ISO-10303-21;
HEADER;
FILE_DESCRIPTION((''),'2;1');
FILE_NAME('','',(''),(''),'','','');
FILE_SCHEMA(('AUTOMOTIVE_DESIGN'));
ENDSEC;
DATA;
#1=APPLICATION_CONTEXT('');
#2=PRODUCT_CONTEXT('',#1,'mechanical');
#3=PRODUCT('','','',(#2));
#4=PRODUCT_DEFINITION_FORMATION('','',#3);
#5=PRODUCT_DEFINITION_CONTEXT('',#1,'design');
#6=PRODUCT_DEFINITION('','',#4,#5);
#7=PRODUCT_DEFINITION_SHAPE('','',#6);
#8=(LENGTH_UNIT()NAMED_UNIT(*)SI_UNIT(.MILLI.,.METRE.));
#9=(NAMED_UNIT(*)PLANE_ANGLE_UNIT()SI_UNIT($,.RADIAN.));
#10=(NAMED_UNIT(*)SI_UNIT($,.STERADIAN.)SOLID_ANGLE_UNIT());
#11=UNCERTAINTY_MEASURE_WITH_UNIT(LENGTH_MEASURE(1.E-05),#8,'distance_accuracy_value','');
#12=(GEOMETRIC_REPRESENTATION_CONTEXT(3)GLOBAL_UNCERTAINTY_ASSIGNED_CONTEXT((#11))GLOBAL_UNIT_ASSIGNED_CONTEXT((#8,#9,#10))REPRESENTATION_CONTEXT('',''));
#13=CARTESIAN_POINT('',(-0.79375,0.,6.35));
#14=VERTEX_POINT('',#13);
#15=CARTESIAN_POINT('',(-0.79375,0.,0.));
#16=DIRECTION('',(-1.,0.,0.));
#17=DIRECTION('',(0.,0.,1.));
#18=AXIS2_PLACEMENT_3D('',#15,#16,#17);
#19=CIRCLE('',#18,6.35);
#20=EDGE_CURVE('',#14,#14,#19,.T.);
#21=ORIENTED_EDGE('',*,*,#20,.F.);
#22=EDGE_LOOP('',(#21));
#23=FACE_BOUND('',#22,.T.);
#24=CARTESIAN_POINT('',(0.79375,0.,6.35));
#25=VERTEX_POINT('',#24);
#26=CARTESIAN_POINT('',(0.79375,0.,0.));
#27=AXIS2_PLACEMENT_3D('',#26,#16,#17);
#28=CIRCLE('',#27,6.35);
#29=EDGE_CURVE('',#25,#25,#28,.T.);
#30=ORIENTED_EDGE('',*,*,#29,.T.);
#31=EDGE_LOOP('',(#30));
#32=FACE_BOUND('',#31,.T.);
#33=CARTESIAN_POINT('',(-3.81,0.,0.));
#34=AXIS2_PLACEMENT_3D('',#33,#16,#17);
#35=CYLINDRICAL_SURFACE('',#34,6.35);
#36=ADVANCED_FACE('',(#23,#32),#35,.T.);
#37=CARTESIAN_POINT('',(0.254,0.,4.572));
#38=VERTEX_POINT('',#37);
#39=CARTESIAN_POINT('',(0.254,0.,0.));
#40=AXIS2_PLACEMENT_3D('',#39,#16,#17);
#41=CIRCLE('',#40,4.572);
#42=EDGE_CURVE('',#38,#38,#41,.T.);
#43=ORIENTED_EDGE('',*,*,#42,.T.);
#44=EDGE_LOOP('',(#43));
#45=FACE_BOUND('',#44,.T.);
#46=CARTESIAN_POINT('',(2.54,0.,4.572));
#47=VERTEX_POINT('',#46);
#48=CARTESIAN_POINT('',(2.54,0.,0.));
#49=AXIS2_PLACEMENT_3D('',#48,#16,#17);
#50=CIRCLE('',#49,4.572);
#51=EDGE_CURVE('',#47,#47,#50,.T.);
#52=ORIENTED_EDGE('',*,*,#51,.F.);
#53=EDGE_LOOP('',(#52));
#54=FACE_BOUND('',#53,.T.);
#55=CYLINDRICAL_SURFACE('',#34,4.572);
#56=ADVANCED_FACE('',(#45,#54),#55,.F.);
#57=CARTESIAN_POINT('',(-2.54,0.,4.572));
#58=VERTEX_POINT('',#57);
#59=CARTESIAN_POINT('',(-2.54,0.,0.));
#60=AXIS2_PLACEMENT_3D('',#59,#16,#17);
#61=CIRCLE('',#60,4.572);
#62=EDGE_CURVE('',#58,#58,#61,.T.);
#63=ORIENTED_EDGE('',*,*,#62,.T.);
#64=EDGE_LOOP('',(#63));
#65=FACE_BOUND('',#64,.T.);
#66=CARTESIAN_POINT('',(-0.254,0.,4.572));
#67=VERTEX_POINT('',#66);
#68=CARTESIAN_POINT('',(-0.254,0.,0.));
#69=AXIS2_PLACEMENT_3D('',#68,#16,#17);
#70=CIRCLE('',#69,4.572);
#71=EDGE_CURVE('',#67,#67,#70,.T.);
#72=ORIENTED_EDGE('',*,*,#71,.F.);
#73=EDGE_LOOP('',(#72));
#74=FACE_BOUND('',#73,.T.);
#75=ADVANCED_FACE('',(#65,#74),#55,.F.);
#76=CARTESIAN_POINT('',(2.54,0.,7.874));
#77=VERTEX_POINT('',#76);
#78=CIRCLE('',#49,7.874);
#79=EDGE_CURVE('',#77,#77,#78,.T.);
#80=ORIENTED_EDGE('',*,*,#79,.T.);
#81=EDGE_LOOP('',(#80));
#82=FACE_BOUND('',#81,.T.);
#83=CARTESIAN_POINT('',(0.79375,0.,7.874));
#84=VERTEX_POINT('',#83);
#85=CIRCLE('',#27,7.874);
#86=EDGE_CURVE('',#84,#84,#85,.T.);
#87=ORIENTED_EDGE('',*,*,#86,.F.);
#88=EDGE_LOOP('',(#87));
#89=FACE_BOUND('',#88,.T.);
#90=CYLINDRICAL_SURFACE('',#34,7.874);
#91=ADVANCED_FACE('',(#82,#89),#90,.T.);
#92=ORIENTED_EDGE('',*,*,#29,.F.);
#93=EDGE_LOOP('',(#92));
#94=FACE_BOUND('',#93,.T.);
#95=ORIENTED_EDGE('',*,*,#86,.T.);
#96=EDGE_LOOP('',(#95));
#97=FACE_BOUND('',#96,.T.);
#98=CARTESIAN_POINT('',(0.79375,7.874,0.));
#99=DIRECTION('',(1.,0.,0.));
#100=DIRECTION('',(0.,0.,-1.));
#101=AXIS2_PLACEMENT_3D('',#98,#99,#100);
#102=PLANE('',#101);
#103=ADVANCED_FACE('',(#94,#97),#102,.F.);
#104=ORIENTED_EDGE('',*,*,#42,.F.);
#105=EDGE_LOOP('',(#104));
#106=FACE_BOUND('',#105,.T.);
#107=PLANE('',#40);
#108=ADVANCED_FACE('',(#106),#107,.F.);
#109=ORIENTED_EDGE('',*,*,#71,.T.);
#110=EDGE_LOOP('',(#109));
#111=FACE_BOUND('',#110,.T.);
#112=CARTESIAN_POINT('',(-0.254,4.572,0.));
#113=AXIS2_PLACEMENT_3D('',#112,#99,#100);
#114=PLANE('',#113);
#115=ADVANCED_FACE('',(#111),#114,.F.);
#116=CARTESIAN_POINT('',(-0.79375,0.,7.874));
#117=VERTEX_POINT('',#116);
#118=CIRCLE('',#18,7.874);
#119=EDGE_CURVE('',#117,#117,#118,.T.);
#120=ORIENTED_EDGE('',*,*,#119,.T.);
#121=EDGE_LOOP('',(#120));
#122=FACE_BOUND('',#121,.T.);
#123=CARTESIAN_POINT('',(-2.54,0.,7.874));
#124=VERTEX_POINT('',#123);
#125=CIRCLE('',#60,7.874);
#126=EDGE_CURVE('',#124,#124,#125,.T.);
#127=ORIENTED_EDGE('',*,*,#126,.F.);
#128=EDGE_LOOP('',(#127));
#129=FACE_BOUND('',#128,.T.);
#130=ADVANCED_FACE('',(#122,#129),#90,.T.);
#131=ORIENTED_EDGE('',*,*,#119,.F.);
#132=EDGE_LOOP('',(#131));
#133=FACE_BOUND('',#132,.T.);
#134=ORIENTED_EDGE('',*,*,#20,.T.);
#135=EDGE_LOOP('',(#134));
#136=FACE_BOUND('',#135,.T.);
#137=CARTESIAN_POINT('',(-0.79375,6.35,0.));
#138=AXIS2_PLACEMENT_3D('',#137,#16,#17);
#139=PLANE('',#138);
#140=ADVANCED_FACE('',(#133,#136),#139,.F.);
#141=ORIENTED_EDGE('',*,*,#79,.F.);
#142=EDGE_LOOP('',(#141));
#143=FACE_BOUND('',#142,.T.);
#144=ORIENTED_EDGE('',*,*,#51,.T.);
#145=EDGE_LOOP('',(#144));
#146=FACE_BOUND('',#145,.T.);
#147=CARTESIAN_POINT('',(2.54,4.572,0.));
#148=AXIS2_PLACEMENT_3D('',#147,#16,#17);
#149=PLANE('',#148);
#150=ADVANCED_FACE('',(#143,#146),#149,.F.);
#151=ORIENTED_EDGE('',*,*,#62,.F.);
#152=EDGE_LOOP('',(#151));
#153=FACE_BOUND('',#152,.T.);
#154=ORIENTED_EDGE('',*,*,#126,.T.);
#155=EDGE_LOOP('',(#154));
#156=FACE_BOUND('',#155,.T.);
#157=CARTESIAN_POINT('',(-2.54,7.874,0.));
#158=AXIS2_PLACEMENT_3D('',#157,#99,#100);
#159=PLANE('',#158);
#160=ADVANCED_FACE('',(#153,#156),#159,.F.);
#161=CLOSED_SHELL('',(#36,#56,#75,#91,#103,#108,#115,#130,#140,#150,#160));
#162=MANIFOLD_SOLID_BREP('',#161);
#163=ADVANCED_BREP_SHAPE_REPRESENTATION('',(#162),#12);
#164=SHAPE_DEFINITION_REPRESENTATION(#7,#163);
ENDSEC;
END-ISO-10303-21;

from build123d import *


with BuildPart() as part:
    # Sketch1 → Revolve1 (revolve)
    with BuildSketch(Plane.XY, mode=Mode.PRIVATE) as revolve1_sk:
        Polygon((-0.254, 0), (0.254, 0), (0.254, 4.572), (2.54, 4.572), (2.54, 7.874), (0.79375, 7.874), (0.79375, 6.35), (-0.79375, 6.35), (-0.79375, 7.874), (-2.54, 7.874), (-2.54, 4.572), (-0.254, 4.572), align=None)
    revolve(revolve1_sk.sketch.rotate(Axis((-3.81, 0, 0), (1, 0, 0)), 90), axis=Axis((-3.81, 0, 0), (1, 0, 0)))


solid = part.part
